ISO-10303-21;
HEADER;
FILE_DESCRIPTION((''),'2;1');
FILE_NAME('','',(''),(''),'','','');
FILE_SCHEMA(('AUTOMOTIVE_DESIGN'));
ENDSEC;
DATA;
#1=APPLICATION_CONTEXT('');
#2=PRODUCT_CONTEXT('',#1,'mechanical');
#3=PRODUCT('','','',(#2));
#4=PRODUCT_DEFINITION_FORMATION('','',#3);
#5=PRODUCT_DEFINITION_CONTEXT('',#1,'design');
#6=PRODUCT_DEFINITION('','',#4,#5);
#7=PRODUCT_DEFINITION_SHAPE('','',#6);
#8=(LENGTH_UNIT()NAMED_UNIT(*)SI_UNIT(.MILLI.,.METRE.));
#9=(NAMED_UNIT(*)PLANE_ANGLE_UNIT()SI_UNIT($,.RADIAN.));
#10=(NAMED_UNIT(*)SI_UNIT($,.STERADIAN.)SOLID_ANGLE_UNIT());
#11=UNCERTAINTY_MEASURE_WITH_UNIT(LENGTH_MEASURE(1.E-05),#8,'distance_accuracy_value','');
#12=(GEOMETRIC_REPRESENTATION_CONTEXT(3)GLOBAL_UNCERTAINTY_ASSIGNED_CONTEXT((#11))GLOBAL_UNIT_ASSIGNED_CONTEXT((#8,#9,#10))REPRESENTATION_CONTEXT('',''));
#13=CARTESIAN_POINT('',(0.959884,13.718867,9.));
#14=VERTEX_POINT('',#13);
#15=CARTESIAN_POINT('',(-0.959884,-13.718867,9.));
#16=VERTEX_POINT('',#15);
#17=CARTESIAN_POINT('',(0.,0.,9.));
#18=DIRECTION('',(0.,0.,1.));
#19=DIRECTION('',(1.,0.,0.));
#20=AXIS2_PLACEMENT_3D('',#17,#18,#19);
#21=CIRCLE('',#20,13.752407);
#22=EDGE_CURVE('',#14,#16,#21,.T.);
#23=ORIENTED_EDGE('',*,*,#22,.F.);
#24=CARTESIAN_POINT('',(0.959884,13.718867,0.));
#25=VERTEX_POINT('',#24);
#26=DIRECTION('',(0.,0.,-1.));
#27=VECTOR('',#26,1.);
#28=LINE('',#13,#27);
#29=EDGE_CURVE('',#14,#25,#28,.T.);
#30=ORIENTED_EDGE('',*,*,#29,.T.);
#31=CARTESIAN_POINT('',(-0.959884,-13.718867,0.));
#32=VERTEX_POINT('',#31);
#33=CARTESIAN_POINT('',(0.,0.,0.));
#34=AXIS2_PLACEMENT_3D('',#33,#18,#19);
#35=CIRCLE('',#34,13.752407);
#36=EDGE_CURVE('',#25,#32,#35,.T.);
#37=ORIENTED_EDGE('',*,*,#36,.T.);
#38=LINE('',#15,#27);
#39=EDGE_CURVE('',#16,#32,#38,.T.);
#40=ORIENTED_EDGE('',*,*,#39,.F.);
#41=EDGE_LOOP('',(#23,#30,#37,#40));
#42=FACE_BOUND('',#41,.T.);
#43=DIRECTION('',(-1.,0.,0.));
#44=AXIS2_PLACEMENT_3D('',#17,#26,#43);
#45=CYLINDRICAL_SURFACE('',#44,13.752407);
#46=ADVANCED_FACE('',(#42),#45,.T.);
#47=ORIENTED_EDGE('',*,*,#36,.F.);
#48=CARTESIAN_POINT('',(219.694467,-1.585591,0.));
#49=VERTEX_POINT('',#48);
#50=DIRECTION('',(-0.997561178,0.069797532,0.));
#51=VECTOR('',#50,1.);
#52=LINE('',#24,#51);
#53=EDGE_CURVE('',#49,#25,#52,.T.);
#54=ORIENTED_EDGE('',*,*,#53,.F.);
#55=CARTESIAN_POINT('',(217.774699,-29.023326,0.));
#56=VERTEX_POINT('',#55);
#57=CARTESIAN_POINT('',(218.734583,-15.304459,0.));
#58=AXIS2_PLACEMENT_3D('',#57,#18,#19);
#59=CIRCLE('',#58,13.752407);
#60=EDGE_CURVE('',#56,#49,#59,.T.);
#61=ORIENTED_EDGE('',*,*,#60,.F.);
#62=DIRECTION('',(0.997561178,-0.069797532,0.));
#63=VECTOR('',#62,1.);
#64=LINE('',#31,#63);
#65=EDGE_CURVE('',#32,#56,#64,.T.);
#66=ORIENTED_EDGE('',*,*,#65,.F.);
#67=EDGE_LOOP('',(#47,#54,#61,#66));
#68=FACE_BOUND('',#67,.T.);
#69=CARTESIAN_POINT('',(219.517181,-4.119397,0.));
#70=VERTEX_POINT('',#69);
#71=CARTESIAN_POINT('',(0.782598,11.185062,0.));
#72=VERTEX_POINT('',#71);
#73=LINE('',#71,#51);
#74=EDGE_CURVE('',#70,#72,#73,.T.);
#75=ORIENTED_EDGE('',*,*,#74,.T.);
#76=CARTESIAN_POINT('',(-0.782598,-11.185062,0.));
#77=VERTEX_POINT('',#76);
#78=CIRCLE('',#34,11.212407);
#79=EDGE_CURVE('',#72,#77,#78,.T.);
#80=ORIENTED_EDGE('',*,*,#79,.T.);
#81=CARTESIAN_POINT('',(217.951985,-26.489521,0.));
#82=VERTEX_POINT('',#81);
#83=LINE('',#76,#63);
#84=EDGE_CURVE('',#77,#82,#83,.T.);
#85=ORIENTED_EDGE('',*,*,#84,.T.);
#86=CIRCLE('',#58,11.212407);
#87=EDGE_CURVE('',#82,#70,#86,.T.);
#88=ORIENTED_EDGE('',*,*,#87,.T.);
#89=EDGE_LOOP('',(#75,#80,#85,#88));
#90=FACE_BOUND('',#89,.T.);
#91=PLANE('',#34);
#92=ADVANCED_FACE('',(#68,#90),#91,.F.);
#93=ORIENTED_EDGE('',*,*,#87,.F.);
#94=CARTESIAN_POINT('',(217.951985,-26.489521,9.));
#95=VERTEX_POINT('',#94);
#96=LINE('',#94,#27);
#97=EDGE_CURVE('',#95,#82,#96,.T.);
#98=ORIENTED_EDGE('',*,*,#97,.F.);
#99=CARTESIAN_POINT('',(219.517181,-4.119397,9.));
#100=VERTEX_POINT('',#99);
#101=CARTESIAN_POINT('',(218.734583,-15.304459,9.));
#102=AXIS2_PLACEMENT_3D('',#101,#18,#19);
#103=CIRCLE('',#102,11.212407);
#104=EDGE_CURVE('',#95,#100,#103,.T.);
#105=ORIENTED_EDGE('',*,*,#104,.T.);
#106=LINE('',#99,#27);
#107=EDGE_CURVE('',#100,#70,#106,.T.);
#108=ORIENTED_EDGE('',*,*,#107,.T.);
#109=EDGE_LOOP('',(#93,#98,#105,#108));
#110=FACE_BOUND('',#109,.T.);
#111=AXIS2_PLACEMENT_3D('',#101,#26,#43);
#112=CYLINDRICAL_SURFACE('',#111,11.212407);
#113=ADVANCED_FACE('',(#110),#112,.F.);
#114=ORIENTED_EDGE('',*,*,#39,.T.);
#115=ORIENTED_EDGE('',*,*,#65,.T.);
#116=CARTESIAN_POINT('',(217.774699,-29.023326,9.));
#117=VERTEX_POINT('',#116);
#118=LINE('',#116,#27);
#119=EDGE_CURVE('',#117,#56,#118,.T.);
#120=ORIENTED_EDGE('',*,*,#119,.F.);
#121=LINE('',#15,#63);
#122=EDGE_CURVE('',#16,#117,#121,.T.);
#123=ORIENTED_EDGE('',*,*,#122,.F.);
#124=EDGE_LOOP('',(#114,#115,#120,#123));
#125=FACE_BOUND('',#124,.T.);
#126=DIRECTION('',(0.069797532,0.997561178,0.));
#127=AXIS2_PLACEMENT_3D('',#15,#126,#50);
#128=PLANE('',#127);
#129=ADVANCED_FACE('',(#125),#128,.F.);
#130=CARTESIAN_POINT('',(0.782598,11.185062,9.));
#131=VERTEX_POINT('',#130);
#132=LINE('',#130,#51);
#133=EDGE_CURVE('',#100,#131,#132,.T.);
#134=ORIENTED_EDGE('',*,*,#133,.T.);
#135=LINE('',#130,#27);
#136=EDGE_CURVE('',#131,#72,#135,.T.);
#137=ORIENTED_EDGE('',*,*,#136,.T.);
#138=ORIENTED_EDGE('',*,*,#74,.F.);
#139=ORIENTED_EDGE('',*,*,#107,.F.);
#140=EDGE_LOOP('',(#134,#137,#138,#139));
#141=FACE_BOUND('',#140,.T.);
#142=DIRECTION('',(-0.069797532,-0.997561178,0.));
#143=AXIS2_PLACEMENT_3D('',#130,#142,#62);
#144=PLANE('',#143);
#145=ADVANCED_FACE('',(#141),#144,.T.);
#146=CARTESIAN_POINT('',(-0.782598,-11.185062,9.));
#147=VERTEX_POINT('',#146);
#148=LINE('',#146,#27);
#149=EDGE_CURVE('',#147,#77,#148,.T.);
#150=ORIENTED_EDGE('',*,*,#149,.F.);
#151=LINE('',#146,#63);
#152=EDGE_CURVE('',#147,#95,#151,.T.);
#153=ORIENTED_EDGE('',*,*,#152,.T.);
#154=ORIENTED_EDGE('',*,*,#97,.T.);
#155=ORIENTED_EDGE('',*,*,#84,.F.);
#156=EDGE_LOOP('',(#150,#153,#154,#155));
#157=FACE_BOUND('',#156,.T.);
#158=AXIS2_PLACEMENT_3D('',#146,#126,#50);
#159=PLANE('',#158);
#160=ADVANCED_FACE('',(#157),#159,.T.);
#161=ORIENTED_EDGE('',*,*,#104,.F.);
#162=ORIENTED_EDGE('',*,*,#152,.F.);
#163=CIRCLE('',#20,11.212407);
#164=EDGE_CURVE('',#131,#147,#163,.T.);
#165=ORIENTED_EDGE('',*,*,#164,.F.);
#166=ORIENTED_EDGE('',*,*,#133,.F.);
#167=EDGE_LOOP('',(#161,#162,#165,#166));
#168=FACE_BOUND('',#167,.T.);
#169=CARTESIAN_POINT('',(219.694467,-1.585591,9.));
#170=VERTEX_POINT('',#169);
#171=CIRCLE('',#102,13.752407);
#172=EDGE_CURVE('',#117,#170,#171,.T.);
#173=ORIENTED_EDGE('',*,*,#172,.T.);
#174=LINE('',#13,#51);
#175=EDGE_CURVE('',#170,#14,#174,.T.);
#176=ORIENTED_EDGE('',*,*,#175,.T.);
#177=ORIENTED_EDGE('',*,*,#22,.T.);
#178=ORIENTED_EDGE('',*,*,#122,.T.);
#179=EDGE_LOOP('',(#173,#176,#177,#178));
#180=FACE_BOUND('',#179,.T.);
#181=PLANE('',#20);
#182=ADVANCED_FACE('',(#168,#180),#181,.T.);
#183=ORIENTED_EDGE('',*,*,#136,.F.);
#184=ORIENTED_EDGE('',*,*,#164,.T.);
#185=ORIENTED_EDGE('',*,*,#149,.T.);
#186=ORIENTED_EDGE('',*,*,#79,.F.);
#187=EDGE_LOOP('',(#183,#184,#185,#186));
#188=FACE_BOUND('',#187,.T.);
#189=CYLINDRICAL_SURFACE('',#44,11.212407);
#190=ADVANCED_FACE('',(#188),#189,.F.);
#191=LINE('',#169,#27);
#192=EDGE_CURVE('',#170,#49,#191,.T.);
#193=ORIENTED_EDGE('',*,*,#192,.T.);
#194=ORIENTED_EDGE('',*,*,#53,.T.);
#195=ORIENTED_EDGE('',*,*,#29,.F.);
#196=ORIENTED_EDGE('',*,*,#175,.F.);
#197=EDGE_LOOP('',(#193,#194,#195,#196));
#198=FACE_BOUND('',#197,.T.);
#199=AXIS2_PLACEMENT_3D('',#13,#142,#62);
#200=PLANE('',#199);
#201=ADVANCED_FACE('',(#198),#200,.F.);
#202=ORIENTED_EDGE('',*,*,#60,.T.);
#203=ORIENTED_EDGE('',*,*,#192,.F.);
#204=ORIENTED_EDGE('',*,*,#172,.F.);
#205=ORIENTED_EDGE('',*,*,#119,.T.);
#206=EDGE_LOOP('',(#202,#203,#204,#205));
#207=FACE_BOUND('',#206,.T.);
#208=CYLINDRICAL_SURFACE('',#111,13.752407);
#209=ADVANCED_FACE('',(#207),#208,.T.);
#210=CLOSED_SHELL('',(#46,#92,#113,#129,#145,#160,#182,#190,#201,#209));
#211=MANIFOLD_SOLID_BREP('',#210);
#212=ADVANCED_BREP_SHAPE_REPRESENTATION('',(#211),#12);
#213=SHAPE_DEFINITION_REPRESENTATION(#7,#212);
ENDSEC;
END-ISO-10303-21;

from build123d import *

# Parameters (mm, degrees)
EXTRUDE_THIN2_DEPTH = 9


with BuildPart() as part:
    # Sketch1 → Extrude-Thin2 (new body)
    with BuildSketch(Plane.XY):
        with BuildLine():
            Line((217.774698956, -29.023326389), (-0.959884078, -13.718867489))
            ThreePointArc((-0.959884078, -13.718867489), (-13.718867489, 0.959884078), (0.959884078, 13.718867489))
            Line((0.959884078, 13.718867489), (219.694467113, -1.585591411))
            ThreePointArc((219.694467113, -1.585591411), (232.453450523, -16.264342979), (217.774698956, -29.023326389))
        make_face()
        with BuildLine():
            Line((217.951984687, -26.489520996), (-0.782598347, -11.185062096))
            ThreePointArc((-0.782598347, -11.185062096), (-11.185062096, 0.782598347), (0.782598347, 11.185062096))
            Line((0.782598347, 11.185062096), (219.517181381, -4.119396804))
            ThreePointArc((219.517181381, -4.119396804), (229.91964513, -16.087057247), (217.951984687, -26.489520996))
        make_face(mode=Mode.SUBTRACT)
    extrude(amount=EXTRUDE_THIN2_DEPTH)


solid = part.part
